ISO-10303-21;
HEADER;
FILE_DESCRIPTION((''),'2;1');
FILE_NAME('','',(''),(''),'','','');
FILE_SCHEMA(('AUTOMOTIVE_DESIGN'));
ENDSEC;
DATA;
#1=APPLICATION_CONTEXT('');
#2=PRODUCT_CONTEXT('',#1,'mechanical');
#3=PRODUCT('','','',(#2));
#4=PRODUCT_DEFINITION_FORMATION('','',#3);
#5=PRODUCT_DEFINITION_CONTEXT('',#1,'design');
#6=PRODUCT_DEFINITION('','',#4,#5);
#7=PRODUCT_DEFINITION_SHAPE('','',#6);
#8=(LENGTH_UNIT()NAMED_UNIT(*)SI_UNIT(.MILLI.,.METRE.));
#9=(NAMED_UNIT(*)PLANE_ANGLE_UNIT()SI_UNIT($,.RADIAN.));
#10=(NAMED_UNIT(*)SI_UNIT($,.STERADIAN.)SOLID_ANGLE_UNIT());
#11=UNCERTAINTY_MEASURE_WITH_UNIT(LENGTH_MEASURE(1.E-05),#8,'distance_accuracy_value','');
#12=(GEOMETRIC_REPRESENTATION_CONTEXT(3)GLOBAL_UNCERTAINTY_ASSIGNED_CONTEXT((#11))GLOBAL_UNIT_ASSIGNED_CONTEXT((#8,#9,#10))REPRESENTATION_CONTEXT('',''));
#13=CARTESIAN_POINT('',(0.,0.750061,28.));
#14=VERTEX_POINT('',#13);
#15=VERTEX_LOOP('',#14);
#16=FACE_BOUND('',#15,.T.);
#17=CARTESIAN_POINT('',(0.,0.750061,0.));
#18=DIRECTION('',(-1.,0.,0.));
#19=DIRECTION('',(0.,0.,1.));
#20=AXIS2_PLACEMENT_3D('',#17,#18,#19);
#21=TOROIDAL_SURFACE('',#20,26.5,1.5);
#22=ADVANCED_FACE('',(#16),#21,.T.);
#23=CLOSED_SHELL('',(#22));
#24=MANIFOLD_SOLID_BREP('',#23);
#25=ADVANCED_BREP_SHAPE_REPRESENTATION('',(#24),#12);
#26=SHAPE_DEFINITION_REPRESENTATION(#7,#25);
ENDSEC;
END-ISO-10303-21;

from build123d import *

# Parameters (mm, degrees)
SKETCH1_R = 1.5


with BuildPart() as part:
    # Sketch1 → Revolve1 (revolve)
    with BuildSketch(Plane.XY, mode=Mode.PRIVATE) as revolve1_sk:
        with Locations((0, 27.250060805)):
            Circle(SKETCH1_R)
    revolve(revolve1_sk.sketch.rotate(Axis((-15.014065037, 0.750060805, 0), (1, 0, 0)), 90), axis=Axis((-15.014065037, 0.750060805, 0), (1, 0, 0)))


solid = part.part
